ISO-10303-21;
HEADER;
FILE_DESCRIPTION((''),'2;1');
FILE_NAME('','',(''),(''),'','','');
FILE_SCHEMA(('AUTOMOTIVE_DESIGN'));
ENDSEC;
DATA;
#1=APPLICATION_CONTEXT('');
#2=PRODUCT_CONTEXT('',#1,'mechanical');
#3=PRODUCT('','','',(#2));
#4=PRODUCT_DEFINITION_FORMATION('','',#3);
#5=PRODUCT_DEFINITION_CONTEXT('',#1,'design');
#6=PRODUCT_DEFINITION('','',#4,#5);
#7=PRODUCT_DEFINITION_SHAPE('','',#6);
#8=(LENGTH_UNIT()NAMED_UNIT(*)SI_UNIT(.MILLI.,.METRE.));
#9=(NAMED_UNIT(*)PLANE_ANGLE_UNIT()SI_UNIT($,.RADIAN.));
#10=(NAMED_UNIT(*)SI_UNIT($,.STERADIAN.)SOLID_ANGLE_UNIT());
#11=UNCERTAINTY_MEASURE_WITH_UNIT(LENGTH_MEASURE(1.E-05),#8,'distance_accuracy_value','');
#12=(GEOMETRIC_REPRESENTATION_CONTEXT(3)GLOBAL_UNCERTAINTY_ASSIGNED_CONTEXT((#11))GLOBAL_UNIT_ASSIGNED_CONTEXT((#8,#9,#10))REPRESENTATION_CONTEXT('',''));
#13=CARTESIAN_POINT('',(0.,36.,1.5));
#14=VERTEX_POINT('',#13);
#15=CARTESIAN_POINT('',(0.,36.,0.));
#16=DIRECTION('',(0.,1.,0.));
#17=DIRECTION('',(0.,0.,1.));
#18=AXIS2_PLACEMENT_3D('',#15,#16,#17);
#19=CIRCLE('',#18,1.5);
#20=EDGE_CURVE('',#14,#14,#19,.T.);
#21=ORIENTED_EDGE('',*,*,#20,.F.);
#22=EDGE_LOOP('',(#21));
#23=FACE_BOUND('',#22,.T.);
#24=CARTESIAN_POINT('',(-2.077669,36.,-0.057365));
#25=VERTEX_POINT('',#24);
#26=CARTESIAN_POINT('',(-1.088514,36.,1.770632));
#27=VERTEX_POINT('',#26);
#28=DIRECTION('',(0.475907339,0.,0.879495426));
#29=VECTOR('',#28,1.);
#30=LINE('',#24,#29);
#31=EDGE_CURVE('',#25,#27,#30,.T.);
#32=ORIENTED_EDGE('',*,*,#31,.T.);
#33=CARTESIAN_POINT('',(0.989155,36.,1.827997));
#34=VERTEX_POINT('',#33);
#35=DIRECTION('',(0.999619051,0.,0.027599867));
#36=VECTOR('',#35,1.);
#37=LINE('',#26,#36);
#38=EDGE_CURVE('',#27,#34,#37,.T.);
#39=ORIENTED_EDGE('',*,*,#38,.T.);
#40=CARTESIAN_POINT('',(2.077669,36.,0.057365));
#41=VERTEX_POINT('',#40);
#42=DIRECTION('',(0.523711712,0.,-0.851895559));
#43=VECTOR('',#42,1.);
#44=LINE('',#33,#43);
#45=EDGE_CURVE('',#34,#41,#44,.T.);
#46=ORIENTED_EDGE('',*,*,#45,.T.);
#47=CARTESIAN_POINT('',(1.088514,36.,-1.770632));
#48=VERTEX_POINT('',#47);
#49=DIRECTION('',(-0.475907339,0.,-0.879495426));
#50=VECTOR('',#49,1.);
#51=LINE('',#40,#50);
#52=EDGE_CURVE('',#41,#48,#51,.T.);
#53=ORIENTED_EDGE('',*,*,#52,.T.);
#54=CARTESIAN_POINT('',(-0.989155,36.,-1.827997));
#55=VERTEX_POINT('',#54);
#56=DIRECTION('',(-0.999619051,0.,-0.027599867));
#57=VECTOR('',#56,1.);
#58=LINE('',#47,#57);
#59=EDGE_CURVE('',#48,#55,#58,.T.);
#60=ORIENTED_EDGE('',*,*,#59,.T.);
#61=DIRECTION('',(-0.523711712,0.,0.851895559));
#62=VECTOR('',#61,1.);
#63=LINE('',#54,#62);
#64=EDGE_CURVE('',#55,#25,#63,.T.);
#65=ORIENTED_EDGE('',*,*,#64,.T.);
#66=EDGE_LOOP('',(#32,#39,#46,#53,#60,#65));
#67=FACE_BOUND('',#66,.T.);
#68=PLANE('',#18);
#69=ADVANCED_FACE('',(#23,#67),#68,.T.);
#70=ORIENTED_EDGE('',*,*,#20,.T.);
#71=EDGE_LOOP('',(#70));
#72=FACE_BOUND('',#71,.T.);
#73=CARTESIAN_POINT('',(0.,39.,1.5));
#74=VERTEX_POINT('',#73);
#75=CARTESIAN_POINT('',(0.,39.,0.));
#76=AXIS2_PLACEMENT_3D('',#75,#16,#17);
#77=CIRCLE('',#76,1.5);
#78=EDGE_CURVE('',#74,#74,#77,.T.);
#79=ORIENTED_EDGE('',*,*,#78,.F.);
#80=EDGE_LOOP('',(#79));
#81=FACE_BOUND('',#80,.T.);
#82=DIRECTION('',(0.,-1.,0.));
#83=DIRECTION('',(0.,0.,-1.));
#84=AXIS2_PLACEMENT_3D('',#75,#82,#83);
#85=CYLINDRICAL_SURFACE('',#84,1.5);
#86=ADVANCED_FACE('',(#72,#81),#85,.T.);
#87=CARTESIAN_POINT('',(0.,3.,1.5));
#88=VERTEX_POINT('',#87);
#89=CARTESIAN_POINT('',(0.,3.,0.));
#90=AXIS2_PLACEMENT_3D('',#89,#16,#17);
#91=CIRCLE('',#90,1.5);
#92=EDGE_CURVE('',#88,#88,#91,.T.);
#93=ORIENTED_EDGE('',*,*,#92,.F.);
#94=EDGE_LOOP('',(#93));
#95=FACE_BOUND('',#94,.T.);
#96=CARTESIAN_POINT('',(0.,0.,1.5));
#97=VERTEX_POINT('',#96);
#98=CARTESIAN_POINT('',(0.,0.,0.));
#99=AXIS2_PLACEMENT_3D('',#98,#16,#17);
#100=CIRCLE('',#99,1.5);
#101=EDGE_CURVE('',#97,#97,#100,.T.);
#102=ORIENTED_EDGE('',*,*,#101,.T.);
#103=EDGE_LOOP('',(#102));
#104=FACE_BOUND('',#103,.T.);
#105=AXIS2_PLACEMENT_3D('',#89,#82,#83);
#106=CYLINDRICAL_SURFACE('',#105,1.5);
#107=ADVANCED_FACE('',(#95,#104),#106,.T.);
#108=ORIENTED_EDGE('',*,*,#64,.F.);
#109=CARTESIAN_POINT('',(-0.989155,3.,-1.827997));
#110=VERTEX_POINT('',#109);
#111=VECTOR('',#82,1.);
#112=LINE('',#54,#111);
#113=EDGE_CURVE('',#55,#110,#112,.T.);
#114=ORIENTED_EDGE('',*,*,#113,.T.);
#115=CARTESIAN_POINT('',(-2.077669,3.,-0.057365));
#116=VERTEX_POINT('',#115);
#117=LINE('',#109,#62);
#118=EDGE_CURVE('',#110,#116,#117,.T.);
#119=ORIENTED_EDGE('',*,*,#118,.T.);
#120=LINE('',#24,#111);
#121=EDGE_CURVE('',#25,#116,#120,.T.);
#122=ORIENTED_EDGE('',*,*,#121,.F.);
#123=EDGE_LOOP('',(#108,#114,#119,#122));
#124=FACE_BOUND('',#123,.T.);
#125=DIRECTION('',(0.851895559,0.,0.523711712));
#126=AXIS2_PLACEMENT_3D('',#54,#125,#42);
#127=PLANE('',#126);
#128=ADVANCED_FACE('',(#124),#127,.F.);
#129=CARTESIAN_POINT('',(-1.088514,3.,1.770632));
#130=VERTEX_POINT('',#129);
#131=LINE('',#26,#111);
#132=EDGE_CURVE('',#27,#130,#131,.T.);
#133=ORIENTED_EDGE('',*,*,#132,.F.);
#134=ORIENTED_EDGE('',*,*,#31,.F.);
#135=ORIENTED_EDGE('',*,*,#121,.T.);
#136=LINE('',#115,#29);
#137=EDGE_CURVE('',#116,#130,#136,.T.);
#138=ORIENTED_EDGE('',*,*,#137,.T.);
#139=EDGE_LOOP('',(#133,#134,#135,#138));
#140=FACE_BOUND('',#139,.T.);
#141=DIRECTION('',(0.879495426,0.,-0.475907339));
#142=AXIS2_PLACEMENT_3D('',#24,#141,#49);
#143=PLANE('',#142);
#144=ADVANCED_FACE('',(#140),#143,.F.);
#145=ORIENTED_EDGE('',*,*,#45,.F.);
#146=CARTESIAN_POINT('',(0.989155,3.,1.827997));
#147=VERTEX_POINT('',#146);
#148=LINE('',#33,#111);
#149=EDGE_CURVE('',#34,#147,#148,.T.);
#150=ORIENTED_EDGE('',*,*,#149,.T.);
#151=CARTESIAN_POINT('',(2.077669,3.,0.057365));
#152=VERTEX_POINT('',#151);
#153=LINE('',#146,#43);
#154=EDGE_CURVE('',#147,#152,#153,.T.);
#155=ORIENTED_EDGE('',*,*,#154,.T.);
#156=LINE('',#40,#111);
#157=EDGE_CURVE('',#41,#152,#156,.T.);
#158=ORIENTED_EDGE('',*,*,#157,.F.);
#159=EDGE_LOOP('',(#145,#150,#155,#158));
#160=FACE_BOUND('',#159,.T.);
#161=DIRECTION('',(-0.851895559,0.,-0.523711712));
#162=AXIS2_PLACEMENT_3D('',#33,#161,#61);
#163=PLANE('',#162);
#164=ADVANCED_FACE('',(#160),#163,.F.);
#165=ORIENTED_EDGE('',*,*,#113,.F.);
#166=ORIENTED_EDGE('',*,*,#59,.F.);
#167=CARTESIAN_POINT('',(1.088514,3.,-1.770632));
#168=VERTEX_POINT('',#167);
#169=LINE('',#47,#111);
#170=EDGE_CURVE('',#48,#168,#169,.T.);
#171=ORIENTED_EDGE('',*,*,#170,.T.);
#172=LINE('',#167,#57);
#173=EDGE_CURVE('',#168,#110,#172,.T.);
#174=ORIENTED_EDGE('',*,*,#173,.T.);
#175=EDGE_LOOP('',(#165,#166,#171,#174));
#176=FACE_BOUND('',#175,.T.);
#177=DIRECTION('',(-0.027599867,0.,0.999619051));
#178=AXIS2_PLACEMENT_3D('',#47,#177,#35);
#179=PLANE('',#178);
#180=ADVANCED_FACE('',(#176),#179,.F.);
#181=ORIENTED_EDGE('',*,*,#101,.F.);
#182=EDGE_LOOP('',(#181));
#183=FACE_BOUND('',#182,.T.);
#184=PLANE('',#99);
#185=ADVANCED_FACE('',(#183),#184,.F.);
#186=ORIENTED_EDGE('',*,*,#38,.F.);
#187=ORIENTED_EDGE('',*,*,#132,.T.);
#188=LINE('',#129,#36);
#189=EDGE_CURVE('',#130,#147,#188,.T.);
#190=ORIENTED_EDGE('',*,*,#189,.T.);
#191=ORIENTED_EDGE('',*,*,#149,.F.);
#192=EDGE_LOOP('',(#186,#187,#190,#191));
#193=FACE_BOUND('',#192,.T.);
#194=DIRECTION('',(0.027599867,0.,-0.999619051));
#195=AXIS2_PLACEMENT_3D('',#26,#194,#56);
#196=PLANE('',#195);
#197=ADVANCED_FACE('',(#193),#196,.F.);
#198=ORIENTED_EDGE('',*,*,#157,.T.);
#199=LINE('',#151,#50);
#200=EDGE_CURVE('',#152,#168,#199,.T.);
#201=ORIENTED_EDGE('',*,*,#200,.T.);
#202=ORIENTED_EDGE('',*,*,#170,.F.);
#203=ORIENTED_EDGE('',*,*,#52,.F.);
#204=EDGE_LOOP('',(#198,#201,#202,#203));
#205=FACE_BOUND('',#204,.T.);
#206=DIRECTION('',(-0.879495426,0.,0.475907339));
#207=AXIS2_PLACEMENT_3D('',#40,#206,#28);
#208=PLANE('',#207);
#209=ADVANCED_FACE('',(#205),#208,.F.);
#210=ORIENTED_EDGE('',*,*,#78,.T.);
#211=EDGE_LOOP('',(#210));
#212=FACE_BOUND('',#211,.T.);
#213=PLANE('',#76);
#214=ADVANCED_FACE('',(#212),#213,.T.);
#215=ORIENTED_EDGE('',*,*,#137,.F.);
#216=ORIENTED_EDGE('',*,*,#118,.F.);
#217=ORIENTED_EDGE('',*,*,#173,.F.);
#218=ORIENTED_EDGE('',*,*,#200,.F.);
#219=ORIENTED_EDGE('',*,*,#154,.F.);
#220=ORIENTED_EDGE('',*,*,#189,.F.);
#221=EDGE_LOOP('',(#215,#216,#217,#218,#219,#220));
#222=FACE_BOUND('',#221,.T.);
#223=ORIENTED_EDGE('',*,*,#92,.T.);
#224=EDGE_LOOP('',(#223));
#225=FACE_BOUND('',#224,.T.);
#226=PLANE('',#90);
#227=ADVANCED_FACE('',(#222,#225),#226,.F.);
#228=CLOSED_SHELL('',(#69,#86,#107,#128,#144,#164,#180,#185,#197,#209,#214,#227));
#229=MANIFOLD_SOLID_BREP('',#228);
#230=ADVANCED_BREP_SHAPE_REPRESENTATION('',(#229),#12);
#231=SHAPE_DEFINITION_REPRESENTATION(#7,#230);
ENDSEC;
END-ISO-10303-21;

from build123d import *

# Parameters (mm, degrees)
SKETCH1_R           = 1.5
BOSS_EXTRUDE1_DEPTH = 3
BOSS_EXTRUDE2_DEPTH = 33
SKETCH3_R           = 1.5
BOSS_EXTRUDE3_DEPTH = 3


with BuildPart() as part:
    # Sketch1 → Boss-Extrude1 (new body)
    with BuildSketch(Plane(origin=(0, 0, 0), x_dir=(1, 0, 0), z_dir=(0, 1, 0))):
        with Locations(Location((0, 0, 0), (0, 0, 270))):
            Circle(SKETCH1_R)
    extrude(amount=BOSS_EXTRUDE1_DEPTH)

    # Sketch2 → Boss-Extrude2 (add)
    with BuildSketch(Plane(origin=(0, 3, 0), x_dir=(1, 0, 0), z_dir=(0, 1, 0))):
        Polygon((-0.98915483, 1.827996915), (-2.077669182, 0.057365247), (-1.088514352, -1.770631668), (0.98915483, -1.827996915), (2.077669182, -0.057365247), (1.088514352, 1.770631668), align=None)
    extrude(amount=BOSS_EXTRUDE2_DEPTH)

    # Sketch3 → Boss-Extrude3 (add)
    with BuildSketch(Plane(origin=(0, 36, 0), x_dir=(1, 0, 0), z_dir=(0, 1, 0))):
        with Locations(Location((0, 0, 0), (0, 0, 270))):
            Circle(SKETCH3_R)
    extrude(amount=BOSS_EXTRUDE3_DEPTH)


solid = part.part
